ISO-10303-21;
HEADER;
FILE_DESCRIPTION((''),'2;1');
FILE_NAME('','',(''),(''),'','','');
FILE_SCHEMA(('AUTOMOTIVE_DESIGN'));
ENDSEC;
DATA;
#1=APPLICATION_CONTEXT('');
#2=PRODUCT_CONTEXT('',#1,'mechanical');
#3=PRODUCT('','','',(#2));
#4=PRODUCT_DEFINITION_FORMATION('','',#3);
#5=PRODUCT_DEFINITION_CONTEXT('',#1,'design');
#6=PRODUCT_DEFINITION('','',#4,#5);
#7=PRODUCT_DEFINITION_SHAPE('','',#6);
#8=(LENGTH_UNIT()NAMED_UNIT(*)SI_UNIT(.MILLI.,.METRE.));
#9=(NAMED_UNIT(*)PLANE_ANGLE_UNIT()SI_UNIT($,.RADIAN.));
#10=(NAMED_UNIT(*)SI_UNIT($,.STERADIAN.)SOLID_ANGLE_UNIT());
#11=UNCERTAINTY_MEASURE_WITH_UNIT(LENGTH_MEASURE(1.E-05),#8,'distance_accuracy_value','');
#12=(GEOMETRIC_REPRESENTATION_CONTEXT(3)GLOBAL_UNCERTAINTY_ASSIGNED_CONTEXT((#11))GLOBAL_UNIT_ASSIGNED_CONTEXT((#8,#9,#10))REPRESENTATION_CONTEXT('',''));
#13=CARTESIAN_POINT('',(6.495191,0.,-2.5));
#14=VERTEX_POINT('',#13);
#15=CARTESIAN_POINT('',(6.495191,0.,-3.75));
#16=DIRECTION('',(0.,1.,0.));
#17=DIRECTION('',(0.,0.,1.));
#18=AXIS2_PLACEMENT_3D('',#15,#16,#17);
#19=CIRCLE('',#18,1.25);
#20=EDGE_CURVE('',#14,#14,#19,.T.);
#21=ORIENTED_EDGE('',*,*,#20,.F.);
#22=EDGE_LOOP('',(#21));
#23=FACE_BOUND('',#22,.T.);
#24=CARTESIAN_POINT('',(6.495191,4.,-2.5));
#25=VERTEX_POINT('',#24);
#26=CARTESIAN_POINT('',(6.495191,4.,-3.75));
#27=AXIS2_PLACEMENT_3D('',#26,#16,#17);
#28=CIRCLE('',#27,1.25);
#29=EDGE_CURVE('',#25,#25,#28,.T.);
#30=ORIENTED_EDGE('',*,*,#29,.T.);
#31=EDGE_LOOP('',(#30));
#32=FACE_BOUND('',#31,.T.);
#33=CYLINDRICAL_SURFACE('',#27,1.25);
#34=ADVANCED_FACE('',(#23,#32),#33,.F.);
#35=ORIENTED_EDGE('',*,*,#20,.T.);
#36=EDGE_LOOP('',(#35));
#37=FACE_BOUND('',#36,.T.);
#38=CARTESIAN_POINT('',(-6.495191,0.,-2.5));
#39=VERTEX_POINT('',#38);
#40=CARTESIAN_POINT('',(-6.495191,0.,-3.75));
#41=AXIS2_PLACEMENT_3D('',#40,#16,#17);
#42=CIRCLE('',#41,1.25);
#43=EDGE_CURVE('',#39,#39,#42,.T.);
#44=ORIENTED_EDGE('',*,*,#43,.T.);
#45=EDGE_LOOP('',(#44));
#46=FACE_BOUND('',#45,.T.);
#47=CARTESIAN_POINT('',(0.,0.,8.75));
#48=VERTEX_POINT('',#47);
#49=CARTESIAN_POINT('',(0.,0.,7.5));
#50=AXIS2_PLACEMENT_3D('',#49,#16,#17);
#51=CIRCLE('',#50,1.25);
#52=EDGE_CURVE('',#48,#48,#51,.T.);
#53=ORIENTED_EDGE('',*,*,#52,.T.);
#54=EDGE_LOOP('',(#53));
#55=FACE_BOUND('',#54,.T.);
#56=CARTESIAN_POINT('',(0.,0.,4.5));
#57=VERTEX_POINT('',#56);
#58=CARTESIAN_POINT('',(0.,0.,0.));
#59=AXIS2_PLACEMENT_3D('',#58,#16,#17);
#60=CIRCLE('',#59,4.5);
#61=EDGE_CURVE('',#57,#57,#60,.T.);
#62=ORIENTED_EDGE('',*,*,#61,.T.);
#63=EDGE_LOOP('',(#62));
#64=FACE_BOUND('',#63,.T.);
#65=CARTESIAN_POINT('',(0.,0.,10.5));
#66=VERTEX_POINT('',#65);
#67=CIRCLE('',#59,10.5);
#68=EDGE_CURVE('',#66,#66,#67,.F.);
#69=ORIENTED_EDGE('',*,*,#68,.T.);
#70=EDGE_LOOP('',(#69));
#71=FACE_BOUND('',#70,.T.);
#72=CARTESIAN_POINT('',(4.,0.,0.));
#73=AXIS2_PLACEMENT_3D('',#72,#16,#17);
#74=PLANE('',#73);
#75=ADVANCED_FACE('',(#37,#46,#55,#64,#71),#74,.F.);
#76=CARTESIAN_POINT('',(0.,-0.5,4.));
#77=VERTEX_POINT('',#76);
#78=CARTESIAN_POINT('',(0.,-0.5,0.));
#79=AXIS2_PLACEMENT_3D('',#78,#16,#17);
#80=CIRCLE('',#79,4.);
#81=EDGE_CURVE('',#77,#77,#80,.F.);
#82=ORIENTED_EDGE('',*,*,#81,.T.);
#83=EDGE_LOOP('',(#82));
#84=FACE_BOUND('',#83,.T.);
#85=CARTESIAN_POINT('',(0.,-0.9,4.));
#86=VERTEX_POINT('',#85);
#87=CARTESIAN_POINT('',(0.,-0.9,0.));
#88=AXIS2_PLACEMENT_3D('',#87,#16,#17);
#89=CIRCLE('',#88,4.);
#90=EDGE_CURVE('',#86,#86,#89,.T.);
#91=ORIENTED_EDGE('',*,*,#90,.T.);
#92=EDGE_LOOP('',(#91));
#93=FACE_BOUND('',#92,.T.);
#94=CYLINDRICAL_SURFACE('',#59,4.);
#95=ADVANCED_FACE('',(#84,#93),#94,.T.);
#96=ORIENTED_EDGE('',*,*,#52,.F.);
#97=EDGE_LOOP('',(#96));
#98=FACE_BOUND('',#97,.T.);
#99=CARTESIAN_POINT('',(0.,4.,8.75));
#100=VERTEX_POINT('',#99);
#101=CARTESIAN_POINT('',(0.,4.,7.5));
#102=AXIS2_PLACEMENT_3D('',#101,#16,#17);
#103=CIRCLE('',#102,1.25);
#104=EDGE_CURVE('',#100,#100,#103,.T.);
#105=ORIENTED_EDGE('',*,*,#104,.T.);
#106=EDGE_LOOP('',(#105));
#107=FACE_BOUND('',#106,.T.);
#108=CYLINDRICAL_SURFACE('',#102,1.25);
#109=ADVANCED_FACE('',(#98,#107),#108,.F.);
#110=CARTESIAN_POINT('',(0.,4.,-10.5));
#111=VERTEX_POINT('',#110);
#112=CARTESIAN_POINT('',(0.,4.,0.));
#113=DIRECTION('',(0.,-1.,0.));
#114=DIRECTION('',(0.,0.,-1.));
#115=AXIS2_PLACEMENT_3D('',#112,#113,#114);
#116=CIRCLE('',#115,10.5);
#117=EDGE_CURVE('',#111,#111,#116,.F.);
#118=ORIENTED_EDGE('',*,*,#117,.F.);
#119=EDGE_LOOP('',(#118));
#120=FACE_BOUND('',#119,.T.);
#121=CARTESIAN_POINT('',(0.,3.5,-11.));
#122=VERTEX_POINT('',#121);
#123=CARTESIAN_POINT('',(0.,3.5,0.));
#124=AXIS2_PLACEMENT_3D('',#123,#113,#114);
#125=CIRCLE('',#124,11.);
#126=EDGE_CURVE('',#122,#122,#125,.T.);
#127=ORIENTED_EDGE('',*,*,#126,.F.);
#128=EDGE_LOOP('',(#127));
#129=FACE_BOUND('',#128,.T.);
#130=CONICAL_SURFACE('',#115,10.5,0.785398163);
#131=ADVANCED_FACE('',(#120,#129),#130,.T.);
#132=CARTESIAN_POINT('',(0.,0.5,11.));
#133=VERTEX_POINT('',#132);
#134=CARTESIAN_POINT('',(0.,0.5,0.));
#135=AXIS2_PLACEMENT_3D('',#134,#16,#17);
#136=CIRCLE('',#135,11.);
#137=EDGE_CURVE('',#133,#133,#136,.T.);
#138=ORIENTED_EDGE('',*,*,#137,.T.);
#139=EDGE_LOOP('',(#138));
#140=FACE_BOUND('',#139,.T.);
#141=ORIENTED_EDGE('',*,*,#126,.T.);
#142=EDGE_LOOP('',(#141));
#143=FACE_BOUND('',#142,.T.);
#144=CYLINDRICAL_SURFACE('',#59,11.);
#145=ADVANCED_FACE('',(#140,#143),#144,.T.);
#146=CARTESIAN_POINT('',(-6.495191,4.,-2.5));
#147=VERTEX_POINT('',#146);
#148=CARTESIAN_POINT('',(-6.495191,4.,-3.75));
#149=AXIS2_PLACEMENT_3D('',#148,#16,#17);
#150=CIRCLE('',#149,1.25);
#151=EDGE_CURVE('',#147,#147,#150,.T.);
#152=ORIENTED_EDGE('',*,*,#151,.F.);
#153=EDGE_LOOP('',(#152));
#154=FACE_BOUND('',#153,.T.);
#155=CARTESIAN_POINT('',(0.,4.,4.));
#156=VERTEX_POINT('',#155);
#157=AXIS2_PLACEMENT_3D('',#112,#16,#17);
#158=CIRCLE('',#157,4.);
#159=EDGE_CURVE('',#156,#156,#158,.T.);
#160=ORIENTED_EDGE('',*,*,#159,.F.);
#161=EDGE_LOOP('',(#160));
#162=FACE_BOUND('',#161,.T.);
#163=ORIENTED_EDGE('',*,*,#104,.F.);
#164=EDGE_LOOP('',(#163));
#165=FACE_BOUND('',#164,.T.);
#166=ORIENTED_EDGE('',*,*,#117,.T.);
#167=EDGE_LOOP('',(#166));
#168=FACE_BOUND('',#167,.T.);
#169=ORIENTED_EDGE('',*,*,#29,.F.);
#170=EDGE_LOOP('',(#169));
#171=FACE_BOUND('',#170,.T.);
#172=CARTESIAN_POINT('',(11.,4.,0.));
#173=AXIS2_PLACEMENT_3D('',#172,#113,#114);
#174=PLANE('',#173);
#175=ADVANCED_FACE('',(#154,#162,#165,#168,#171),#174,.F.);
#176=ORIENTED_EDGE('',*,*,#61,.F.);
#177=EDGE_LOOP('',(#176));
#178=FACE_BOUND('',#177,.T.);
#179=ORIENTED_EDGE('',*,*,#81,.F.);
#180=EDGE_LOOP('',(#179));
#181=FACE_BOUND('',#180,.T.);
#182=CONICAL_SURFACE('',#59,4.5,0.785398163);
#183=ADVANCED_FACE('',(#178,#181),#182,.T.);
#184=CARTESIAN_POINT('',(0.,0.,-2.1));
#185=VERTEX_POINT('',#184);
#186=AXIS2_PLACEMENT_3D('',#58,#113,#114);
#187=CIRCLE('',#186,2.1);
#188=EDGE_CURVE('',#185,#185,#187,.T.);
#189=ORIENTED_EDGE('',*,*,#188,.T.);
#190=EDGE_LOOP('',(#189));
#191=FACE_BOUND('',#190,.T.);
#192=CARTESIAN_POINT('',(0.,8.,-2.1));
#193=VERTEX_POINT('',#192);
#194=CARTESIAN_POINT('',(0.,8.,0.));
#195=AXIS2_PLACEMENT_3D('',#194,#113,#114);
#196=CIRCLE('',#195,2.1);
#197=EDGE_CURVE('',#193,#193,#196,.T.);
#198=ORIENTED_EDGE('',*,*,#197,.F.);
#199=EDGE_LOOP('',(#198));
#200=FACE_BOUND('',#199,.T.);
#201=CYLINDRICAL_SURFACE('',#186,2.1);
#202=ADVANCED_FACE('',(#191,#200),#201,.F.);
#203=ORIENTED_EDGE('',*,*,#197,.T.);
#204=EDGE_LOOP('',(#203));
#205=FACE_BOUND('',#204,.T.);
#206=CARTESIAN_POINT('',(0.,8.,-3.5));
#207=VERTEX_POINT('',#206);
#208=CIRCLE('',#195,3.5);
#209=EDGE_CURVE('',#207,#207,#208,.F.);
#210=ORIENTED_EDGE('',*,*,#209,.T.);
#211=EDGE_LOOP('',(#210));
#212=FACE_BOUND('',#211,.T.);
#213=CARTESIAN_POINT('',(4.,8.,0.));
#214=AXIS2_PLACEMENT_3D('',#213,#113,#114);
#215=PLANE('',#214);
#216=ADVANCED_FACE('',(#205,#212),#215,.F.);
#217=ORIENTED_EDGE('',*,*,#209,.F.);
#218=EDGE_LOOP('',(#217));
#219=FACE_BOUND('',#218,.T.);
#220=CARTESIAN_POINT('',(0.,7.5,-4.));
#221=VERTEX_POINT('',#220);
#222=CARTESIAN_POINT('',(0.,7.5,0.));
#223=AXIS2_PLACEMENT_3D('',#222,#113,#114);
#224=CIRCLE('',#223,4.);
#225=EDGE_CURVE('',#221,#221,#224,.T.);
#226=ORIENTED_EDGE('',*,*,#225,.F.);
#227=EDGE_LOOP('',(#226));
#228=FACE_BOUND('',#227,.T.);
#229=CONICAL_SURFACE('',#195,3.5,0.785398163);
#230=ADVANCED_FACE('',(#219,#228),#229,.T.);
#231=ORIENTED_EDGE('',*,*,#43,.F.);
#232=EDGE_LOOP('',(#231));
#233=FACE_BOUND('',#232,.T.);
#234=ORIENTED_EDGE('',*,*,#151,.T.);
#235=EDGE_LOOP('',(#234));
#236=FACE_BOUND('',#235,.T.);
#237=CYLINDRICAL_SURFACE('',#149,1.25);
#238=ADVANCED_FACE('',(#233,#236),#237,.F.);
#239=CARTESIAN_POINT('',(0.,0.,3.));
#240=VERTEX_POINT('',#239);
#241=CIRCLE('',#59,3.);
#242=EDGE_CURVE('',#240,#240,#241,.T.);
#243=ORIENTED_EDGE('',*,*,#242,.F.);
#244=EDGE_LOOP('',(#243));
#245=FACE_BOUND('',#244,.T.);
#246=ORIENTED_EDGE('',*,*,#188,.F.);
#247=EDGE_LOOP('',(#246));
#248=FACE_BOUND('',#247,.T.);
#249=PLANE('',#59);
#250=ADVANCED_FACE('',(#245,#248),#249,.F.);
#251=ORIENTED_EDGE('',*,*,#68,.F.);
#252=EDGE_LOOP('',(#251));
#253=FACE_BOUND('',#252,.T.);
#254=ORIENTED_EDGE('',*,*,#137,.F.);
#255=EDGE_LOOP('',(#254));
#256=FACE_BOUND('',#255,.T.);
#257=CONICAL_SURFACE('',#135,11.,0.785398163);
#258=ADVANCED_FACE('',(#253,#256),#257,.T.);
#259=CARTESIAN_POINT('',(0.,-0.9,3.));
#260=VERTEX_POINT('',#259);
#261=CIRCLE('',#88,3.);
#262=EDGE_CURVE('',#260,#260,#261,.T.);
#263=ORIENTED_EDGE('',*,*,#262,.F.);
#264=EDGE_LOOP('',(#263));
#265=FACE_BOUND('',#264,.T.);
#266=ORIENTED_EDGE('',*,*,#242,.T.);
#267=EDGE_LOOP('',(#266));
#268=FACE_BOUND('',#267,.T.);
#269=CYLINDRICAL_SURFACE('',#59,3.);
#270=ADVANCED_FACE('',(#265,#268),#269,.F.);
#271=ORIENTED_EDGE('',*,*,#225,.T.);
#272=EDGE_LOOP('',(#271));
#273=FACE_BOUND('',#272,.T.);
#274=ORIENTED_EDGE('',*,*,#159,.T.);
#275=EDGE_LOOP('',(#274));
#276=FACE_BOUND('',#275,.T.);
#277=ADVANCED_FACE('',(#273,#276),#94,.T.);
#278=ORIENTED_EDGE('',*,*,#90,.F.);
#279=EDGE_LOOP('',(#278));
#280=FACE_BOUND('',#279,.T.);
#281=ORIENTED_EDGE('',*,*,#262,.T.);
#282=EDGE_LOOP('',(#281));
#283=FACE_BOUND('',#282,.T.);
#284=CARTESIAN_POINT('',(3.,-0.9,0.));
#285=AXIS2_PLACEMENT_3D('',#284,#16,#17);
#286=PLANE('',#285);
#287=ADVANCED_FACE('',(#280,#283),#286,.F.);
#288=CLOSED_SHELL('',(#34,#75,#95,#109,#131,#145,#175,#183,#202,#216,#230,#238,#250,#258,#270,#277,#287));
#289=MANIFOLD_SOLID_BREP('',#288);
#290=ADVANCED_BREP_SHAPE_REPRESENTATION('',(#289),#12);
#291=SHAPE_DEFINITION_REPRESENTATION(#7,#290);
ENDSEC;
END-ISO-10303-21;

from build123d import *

# Parameters (mm, degrees)
HOLE_WIZARD_M3_1_D = 2.5
HOLE_WIZARD_M5_1_D = 4.2
CHAMFER_1_SIZE     = 0.5


with BuildPart() as part:
    # 草图1 → 旋转1 (revolve)
    with BuildSketch(Plane.XY):
        Polygon((0, 8), (0, 0), (3, 0), (3, -0.9), (4, -0.9), (4, 0), (11, 0), (11, 4), (4, 4), (4, 8), align=None)
    revolve(axis=Axis((0, 0, 0), (0, -1, 0)))

    # M3 螺纹孔1 (through all)
    with Locations(Plane(origin=(0, 4, 0), x_dir=(1, 0, 0), z_dir=(0, 1, 0))):
        with Locations((-6.495190528, 3.75), (6.495190528, 3.75), (0, -7.5)):
            Hole(HOLE_WIZARD_M3_1_D / 2)

    # M5 螺纹孔1 (through all)
    with Locations(Plane(origin=(0, 0, 0), x_dir=(-1, 0, 0), z_dir=(0, -1, 0))):
        with Locations((0, 0)):
            Hole(HOLE_WIZARD_M5_1_D / 2)

    # 倒角1
    chamfer_1_edges = [part.edges().sort_by_distance(p)[0] for p in [
        (-4, 8, 0),
        (-11, 4, 0),
        (-11, 0, 0),
        (-4, 0, 0),
    ]]
    chamfer(chamfer_1_edges, length=CHAMFER_1_SIZE)


solid = part.part
